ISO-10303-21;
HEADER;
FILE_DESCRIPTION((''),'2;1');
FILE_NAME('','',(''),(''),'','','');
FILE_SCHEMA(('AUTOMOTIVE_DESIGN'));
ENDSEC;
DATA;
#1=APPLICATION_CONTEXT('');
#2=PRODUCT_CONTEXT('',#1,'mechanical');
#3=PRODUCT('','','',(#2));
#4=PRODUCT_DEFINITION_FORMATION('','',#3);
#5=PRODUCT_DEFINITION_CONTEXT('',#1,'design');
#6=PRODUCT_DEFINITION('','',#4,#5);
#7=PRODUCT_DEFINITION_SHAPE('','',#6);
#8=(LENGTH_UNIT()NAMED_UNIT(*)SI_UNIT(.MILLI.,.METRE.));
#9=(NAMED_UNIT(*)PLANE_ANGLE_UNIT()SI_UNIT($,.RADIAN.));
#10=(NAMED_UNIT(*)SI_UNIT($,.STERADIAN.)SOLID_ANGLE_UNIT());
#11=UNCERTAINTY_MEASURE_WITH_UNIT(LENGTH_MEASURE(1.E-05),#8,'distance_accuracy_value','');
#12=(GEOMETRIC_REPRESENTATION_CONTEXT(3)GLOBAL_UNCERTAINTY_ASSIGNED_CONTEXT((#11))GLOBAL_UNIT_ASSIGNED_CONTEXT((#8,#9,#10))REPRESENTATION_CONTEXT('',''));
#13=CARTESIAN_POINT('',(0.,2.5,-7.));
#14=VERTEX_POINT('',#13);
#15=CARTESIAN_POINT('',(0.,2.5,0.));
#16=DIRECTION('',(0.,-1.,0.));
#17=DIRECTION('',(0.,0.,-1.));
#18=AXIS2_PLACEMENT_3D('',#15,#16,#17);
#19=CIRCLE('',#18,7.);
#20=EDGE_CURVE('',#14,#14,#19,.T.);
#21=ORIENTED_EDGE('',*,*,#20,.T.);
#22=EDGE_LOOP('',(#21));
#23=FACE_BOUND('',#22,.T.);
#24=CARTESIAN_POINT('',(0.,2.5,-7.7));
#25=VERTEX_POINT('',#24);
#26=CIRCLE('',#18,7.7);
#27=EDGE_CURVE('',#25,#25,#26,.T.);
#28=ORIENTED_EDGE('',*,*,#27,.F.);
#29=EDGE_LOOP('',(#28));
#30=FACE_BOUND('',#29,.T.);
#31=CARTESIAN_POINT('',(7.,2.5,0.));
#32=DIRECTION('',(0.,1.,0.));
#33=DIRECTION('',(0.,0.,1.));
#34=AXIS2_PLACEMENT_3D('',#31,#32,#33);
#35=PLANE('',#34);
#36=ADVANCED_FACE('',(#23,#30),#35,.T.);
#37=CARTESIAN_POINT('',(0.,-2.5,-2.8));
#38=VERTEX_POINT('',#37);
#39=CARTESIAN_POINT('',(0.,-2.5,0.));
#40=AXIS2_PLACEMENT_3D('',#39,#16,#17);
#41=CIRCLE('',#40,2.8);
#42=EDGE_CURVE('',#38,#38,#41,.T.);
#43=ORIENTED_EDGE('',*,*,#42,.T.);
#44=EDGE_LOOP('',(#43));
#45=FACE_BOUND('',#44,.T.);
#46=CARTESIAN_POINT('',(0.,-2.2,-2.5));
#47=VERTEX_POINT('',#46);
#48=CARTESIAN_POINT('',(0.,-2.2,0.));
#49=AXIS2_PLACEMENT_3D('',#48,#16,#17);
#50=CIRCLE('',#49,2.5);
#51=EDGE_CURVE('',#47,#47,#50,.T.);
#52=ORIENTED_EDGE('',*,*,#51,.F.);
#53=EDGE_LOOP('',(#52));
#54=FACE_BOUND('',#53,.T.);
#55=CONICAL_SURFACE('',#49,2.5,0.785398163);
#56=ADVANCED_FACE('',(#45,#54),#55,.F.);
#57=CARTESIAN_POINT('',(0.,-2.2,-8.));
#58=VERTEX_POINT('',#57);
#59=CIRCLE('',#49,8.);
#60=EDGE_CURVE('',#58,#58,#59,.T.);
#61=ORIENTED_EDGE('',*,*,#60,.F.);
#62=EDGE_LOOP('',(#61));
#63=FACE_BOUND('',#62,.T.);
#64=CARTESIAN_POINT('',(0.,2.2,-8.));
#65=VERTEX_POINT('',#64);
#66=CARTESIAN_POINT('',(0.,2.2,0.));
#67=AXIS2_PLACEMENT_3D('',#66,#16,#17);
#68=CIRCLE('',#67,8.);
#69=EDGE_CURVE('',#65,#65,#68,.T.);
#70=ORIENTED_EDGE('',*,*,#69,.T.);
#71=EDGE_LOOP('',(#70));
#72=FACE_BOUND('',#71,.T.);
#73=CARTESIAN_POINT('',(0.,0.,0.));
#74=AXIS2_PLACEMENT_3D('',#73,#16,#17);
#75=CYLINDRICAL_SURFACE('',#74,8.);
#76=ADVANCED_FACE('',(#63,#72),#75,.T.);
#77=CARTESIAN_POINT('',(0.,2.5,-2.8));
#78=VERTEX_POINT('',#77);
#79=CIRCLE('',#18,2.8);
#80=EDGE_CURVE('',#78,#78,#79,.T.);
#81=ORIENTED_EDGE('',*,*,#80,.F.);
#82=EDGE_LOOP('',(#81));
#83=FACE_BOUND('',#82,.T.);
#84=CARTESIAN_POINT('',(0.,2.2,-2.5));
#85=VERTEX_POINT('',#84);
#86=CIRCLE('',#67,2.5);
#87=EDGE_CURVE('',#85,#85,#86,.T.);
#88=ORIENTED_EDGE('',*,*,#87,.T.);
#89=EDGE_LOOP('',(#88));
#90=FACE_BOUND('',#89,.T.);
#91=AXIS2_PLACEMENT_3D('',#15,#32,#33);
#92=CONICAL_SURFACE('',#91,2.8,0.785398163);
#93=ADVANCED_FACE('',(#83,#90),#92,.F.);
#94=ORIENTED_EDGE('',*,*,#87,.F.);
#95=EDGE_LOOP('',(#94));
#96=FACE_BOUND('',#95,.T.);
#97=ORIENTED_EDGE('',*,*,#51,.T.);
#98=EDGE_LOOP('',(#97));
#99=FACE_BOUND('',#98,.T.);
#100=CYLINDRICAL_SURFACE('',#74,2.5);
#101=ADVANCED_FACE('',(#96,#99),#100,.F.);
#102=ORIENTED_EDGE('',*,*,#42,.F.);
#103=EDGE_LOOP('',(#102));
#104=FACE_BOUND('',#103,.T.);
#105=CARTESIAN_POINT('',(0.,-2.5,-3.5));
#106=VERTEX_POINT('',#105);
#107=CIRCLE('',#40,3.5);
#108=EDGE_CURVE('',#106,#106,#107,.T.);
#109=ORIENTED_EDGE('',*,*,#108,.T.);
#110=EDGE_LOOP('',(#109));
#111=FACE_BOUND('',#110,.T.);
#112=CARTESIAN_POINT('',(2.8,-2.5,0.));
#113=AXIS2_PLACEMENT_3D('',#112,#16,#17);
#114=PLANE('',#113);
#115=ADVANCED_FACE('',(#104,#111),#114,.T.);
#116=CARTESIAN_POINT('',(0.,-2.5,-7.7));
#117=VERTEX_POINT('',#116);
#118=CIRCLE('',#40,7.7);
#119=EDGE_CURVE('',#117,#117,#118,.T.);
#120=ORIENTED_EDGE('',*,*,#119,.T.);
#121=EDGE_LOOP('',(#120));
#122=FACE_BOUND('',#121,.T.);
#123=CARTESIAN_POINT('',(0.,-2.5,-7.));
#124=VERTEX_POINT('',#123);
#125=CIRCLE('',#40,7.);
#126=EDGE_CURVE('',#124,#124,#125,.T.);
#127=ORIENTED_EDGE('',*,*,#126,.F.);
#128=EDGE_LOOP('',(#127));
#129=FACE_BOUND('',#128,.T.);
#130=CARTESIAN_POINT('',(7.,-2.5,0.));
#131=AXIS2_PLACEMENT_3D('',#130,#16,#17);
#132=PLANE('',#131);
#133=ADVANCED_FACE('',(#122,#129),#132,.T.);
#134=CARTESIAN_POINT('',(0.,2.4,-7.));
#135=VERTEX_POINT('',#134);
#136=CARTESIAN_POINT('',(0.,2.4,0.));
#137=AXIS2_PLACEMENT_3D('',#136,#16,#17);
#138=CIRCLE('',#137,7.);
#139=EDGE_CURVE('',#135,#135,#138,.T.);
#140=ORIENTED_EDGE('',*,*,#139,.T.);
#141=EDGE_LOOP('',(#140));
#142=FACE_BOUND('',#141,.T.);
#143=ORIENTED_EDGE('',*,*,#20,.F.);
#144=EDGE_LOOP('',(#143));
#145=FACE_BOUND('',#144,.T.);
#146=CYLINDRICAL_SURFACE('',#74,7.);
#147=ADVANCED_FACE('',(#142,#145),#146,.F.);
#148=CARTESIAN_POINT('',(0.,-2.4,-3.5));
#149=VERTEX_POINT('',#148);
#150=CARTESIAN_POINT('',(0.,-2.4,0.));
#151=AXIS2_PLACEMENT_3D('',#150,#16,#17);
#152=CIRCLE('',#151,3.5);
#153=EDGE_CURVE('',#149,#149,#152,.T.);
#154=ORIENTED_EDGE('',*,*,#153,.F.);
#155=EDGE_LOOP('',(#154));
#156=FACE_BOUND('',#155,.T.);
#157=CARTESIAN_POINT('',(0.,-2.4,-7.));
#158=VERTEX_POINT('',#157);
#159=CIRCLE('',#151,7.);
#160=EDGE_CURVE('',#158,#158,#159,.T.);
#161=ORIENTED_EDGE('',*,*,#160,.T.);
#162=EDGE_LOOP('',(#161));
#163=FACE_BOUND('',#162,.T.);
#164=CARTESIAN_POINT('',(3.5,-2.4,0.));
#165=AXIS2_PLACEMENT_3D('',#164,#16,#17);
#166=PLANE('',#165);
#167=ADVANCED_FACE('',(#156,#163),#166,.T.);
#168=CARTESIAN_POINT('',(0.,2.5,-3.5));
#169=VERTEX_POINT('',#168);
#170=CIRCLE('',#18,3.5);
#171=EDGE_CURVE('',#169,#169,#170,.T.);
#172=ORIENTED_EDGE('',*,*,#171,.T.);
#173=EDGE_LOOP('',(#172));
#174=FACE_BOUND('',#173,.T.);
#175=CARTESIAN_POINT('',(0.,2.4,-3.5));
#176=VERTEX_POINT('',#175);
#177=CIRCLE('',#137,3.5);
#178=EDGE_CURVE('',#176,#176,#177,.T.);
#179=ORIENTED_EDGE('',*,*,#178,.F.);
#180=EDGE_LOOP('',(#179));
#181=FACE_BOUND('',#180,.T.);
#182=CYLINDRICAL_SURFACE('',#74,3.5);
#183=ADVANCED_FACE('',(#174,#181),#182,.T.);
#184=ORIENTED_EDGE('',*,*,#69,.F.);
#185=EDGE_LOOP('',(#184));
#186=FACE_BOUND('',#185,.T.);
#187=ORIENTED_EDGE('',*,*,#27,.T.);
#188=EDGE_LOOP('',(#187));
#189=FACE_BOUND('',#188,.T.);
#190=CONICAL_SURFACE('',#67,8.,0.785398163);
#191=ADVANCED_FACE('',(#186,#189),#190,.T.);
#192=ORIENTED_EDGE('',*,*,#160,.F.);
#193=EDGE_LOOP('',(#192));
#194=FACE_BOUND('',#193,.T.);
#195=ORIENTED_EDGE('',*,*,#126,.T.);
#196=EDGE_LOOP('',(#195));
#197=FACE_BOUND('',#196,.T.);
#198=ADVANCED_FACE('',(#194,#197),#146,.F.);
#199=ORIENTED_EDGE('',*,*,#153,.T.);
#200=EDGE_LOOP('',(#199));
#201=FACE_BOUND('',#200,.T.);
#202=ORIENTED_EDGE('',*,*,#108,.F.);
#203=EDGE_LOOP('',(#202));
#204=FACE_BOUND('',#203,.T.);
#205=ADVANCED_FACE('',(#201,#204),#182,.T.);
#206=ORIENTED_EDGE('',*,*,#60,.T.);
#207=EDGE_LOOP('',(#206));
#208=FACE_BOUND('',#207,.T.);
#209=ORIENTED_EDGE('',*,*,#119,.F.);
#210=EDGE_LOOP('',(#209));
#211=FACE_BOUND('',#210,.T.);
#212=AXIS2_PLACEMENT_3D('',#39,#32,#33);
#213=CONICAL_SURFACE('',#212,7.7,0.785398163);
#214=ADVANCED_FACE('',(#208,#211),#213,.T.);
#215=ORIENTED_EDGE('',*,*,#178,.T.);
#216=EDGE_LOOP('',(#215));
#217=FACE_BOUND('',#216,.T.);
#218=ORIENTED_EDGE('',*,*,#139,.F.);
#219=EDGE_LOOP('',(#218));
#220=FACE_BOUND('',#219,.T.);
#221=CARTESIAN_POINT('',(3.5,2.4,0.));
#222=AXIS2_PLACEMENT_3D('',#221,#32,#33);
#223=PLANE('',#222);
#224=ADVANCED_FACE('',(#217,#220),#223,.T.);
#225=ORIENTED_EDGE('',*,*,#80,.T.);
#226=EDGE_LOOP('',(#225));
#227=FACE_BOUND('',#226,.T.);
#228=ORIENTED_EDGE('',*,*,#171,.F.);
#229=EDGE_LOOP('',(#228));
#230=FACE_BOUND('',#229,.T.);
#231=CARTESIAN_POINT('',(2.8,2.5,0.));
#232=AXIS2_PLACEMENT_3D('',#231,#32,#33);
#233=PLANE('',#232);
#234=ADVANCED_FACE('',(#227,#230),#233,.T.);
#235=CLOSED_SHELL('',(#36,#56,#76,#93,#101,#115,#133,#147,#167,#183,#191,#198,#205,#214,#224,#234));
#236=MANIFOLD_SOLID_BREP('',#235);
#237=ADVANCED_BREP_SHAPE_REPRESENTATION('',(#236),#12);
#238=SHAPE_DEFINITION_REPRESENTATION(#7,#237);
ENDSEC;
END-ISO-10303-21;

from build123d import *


with BuildPart() as part:
    # Sketch1 → Revolution1 (revolve)
    with BuildSketch(Plane.XY):
        Polygon((2.5, -2.2), (2.5, 2.2), (2.8, 2.5), (3.5, 2.5), (3.5, 2.4), (7, 2.4), (7, 2.5), (7.7, 2.5), (8, 2.2), (8, -2.2), (7.7, -2.5), (7, -2.5), (7, -2.4), (3.5, -2.4), (3.5, -2.5), (2.8, -2.5), align=None)
    revolve(axis=Axis((0, 0, 0), (0, 1, 0)))


solid = part.part
